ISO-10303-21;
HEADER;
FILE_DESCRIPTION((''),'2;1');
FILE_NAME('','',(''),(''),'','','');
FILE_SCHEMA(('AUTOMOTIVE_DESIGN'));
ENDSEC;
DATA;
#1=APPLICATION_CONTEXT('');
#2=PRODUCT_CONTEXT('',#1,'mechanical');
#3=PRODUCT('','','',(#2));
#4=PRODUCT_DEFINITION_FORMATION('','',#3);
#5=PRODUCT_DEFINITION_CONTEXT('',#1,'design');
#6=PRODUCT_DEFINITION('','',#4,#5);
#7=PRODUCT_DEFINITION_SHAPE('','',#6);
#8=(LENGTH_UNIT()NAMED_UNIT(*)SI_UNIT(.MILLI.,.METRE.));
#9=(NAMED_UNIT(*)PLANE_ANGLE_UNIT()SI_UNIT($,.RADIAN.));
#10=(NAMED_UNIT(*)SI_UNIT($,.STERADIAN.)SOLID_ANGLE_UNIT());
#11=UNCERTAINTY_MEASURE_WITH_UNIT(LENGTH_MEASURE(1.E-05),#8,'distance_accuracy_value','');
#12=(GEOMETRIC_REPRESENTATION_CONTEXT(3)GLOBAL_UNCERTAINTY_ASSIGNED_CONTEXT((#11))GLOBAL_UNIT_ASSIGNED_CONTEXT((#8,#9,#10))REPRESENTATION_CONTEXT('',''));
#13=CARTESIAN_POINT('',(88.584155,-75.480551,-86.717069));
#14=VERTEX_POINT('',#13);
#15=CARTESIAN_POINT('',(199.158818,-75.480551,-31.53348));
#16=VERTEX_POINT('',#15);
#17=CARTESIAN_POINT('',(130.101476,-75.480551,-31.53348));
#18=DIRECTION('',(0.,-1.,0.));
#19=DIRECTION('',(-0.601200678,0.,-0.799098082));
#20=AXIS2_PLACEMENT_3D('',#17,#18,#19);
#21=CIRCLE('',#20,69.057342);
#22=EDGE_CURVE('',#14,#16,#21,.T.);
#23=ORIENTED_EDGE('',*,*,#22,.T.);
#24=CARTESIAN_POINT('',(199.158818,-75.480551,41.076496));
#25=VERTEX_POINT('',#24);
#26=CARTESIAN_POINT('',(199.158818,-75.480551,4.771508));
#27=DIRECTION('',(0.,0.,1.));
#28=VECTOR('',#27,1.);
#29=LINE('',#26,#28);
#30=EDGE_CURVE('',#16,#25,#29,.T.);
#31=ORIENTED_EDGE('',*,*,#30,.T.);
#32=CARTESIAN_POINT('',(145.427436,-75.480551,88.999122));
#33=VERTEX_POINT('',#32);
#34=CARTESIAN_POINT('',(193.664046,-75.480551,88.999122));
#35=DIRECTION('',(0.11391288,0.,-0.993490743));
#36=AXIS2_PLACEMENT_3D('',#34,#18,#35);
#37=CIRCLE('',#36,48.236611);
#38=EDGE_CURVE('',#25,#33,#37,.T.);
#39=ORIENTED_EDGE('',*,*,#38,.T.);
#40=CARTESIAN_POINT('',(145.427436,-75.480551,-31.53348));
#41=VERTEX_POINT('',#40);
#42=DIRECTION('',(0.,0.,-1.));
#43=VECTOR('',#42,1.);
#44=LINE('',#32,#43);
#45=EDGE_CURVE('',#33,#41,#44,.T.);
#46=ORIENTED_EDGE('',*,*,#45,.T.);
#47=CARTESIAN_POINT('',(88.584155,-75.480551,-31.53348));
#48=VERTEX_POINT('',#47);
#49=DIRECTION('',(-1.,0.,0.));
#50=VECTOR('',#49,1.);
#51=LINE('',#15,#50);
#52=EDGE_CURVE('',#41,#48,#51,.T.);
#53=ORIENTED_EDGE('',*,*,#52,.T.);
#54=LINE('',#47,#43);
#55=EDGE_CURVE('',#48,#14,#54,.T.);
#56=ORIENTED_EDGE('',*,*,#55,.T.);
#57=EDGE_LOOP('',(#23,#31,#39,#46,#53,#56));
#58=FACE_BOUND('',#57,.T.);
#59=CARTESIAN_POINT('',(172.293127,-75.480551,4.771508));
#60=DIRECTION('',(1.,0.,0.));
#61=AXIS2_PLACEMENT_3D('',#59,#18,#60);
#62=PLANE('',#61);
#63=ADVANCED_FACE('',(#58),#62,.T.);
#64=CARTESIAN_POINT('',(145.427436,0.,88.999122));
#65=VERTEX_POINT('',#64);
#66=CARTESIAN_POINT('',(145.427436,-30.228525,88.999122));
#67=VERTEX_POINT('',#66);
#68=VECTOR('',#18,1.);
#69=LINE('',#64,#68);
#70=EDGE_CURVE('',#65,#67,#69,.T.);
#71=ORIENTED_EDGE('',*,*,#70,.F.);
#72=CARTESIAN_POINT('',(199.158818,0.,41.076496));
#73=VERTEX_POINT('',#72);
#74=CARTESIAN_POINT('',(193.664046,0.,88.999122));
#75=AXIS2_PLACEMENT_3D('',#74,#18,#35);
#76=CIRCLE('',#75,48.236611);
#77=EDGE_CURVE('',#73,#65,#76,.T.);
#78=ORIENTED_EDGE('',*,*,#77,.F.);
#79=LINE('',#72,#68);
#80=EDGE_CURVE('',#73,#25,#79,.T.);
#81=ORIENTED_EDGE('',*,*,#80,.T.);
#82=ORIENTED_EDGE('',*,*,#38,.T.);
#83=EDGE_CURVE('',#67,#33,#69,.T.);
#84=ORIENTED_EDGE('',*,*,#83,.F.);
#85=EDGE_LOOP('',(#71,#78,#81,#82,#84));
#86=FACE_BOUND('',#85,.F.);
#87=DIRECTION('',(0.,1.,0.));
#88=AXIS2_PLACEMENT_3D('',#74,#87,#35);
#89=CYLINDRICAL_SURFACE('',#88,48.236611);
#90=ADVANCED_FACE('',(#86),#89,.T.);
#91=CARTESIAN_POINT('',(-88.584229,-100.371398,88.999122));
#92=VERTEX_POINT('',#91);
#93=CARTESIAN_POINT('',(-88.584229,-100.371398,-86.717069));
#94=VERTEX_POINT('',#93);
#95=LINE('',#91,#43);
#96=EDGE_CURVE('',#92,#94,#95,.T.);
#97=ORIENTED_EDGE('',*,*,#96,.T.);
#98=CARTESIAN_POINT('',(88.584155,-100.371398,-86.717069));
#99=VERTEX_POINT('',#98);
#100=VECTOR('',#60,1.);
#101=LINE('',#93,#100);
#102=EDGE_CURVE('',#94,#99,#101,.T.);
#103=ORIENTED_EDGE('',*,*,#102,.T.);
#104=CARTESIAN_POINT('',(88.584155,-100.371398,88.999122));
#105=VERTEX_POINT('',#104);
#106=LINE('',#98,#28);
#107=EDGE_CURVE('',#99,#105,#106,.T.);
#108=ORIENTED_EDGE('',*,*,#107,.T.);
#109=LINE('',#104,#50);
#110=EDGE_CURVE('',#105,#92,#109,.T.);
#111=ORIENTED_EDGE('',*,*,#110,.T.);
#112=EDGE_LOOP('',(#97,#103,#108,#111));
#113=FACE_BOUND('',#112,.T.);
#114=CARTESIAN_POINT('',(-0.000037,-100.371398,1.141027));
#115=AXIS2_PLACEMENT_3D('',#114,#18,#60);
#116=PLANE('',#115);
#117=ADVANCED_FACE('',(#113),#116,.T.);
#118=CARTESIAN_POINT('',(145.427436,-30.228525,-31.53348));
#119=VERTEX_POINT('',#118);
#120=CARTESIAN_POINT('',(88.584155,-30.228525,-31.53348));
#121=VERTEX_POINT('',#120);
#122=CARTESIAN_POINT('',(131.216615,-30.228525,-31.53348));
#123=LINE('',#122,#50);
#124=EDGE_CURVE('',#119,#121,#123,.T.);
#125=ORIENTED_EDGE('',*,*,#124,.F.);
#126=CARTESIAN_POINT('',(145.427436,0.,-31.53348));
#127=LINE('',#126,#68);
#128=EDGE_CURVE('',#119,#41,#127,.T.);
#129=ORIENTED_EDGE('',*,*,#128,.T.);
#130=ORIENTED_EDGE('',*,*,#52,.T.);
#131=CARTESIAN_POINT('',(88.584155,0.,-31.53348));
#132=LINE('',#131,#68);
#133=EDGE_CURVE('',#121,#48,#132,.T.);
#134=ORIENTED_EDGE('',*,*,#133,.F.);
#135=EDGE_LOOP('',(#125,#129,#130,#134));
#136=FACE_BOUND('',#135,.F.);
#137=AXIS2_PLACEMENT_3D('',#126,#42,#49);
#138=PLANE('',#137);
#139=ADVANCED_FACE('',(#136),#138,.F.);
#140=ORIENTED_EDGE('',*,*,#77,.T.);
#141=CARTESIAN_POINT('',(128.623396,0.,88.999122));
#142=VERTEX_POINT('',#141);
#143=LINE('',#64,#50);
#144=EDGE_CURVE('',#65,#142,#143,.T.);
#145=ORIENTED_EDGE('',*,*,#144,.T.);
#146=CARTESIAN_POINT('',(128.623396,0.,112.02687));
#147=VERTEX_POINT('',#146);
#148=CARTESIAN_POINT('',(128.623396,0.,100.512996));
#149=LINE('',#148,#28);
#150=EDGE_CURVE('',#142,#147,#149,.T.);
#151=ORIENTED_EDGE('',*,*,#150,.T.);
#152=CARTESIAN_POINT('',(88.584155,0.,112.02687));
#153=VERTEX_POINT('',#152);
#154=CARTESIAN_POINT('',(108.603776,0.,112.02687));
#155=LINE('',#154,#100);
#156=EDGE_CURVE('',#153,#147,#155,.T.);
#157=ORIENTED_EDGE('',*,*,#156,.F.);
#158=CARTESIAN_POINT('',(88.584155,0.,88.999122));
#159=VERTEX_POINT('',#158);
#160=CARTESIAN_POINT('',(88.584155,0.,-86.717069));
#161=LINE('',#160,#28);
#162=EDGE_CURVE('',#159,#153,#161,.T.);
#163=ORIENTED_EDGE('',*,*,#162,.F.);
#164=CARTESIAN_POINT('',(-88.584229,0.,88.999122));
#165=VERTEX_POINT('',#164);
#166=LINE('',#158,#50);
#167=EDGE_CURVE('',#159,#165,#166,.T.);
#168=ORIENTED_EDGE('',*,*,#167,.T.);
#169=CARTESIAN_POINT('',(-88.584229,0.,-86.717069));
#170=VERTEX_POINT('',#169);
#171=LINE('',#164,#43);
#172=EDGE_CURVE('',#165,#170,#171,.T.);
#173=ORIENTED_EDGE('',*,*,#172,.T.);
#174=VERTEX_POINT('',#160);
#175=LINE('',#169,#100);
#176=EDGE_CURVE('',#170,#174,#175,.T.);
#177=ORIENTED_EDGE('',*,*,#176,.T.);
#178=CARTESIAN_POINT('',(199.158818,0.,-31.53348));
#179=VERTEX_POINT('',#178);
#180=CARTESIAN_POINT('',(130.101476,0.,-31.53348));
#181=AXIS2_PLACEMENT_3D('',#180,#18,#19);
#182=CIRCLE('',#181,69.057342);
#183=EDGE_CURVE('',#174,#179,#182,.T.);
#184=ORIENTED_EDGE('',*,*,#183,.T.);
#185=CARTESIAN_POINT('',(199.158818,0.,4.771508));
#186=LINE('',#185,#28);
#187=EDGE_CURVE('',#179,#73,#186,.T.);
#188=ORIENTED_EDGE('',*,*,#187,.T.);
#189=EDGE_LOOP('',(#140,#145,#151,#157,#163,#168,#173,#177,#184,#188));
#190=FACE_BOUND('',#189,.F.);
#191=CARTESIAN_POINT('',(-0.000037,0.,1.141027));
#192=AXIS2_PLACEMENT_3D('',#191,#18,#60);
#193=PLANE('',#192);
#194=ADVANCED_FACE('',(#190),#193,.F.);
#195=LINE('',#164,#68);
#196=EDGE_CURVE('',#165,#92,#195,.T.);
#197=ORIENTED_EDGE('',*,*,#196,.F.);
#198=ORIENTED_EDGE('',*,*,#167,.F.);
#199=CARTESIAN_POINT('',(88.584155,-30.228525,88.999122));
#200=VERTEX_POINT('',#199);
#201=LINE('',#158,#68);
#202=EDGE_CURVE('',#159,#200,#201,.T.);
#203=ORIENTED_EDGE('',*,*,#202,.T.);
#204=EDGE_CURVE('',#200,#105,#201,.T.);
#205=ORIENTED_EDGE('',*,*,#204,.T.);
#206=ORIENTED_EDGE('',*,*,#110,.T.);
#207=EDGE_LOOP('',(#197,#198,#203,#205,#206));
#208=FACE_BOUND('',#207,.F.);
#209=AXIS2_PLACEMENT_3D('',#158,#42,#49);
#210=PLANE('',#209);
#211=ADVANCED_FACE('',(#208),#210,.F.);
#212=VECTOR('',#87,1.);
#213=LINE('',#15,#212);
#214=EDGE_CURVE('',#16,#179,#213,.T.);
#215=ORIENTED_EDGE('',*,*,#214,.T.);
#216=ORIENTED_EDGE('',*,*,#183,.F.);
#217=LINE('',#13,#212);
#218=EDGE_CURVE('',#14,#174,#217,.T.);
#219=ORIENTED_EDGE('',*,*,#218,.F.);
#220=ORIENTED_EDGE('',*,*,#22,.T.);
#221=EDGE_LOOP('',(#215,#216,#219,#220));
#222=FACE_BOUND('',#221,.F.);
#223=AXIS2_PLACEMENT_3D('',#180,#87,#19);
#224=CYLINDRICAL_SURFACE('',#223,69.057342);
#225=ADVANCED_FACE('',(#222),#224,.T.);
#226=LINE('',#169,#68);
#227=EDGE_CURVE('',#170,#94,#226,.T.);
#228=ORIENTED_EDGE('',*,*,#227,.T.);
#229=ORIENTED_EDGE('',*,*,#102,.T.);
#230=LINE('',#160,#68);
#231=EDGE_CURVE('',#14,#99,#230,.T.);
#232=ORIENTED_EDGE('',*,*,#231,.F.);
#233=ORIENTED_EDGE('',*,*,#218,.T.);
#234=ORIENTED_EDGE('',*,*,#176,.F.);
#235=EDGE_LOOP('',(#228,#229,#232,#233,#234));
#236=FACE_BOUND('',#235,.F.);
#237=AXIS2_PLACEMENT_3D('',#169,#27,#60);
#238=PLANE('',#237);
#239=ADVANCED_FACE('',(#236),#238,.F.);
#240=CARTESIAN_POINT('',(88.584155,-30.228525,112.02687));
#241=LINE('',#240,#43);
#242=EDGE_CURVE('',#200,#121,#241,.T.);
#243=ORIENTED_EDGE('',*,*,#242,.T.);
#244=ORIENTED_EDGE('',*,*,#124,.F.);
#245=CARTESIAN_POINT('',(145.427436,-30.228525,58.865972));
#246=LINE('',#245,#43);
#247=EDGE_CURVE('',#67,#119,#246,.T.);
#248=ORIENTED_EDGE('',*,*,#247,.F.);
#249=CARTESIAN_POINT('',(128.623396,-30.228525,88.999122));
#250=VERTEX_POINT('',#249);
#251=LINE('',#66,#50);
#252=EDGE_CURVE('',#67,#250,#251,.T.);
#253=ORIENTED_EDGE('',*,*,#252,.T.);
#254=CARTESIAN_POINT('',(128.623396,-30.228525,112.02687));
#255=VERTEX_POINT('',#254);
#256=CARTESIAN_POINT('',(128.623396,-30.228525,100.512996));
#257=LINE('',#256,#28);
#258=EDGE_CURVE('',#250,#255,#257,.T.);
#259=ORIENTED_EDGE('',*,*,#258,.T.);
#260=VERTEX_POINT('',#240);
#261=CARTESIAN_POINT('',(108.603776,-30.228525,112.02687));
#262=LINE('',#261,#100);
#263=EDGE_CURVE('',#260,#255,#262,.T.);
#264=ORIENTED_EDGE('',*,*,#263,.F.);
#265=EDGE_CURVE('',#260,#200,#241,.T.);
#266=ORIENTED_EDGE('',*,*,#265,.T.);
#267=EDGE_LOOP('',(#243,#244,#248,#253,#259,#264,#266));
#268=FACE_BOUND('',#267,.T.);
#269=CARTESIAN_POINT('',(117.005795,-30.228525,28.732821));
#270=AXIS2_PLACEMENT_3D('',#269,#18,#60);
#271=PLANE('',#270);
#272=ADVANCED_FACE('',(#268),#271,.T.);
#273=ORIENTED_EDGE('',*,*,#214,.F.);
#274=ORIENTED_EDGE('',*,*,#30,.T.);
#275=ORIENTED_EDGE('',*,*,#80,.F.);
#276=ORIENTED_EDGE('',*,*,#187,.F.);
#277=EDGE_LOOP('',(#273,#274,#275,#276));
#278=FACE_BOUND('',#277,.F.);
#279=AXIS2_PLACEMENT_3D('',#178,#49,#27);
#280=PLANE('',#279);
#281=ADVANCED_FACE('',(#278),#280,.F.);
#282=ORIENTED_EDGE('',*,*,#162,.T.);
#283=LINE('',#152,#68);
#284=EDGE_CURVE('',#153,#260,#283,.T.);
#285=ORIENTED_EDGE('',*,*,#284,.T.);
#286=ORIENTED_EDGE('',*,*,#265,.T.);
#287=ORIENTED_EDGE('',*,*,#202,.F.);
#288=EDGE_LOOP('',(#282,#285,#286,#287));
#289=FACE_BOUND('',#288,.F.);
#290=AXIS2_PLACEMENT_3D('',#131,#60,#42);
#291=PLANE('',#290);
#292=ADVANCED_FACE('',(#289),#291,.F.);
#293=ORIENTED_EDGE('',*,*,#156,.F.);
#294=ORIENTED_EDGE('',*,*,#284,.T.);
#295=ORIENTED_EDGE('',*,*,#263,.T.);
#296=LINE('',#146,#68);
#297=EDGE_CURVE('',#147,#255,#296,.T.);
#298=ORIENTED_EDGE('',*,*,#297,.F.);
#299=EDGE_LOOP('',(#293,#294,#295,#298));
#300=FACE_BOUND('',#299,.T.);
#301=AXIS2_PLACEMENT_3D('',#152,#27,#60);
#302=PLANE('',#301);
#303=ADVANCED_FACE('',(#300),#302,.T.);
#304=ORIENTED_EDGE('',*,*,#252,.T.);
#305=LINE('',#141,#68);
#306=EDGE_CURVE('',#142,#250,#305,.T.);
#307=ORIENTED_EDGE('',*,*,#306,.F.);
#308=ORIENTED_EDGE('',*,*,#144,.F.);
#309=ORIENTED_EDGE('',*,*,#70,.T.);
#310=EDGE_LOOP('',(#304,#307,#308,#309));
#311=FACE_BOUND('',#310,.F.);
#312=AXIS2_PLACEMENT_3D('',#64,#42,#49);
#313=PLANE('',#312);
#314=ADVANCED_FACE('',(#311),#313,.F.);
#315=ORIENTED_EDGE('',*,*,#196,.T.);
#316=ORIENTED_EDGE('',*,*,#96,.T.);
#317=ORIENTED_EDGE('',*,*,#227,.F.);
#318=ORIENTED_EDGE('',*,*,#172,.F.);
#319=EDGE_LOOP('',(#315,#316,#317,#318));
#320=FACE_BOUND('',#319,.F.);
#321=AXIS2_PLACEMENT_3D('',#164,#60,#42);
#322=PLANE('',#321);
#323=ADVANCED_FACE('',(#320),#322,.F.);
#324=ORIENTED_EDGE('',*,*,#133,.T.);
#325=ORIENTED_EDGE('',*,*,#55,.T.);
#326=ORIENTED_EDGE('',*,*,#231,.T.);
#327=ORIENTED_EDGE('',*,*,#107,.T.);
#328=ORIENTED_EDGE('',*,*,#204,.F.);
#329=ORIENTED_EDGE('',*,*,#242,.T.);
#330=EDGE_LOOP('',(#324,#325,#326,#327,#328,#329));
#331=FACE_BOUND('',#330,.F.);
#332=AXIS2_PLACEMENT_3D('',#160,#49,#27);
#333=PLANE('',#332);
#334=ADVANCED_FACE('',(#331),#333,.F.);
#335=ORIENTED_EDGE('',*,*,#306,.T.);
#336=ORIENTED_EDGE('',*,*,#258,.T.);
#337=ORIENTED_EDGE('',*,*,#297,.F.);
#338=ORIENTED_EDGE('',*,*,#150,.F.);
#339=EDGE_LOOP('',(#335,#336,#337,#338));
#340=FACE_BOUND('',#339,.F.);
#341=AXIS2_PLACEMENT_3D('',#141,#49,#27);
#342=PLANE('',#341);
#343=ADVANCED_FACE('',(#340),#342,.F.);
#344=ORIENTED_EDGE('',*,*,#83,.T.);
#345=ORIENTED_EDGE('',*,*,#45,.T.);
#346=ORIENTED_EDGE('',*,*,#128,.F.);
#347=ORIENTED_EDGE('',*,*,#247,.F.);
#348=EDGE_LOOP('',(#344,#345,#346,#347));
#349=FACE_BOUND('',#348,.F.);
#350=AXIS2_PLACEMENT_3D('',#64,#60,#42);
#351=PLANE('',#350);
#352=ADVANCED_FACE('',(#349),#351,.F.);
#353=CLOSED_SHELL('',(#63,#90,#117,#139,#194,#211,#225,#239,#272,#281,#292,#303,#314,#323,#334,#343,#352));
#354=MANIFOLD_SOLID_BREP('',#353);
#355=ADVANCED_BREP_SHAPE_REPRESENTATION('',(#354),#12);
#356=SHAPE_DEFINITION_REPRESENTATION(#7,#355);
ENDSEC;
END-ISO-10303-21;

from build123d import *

# Parameters (mm, degrees)
F0_W     = 53.7313818932
F0_H     = 72.609975934
F1_DEPTH = 75.4805505276
F0_W_2   = 40.0392413139
F0_H_2   = 23.0277478695
F2_DEPTH = 30.2285254002
F3_DEPTH = 100.3713980317


with BuildPart() as f1:
    # F0 (on Front) → F1 (new body)
    with BuildSketch(Plane.XZ):
        with Locations((172.2931265831, 4.7715082765)):
            Rectangle(F0_W, F0_H)
        with BuildLine():
            ThreePointArc((199.1588175297, 41.0764962435), (225.7710662807, 124.9978706097), (145.4274356365, 88.9991223812))
            Line((145.4274356365, 88.9991223812), (145.4274356365, 41.0764962435))
            Line((145.4274356365, 41.0764962435), (199.1588175297, 41.0764962435))
        make_face()
        with BuildLine():
            Line((145.4274356365, -31.5334796906), (88.5841548443, -31.5334796906))
            Line((88.5841548443, -31.5334796906), (88.5841548443, -86.717069149))
            ThreePointArc((88.5841548443, -86.717069149), (160.9384717068, -93.3234153061), (199.1588175297, -31.5334796906))
            Line((199.1588175297, -31.5334796906), (145.4274356365, -31.5334796906))
        make_face()
    extrude(amount=F1_DEPTH)

    # F0 (on Front) → F2 (join)
    with BuildSketch(Plane.XZ):
        Polygon((128.6233961582, 88.9991223812), (88.5841548443, 88.9991223812), (88.5841548443, -31.5334796906), (145.4274356365, -31.5334796906), (145.4274356365, 41.0764962435), (145.4274356365, 88.9991223812), align=None)
        with Locations((108.6037755013, 100.512996316)):
            Rectangle(F0_W_2, F0_H_2)
        with BuildLine():
            Line((145.4274356365, -31.5334796906), (88.5841548443, -31.5334796906))
            Line((88.5841548443, -31.5334796906), (88.5841548443, -86.717069149))
            ThreePointArc((88.5841548443, -86.717069149), (160.9384717068, -93.3234153061), (199.1588175297, -31.5334796906))
            Line((199.1588175297, -31.5334796906), (145.4274356365, -31.5334796906))
        make_face()
        with BuildLine():
            ThreePointArc((199.1588175297, 41.0764962435), (225.7710662807, 124.9978706097), (145.4274356365, 88.9991223812))
            Line((145.4274356365, 88.9991223812), (145.4274356365, 41.0764962435))
            Line((145.4274356365, 41.0764962435), (199.1588175297, 41.0764962435))
        make_face()
        with Locations((172.2931265831, 4.7715082765)):
            Rectangle(F0_W, F0_H)
    extrude(amount=F2_DEPTH)

    # F0 (on Front) → F3 (join)
    with BuildSketch(Plane.XZ):
        Polygon((88.5841548443, -31.5334796906), (88.5841548443, 88.9991223812), (-88.5842293501, 88.9991223812), (-88.5842293501, -86.717069149), (88.5841548443, -86.717069149), align=None)
    extrude(amount=F3_DEPTH)


solid = f1.part
